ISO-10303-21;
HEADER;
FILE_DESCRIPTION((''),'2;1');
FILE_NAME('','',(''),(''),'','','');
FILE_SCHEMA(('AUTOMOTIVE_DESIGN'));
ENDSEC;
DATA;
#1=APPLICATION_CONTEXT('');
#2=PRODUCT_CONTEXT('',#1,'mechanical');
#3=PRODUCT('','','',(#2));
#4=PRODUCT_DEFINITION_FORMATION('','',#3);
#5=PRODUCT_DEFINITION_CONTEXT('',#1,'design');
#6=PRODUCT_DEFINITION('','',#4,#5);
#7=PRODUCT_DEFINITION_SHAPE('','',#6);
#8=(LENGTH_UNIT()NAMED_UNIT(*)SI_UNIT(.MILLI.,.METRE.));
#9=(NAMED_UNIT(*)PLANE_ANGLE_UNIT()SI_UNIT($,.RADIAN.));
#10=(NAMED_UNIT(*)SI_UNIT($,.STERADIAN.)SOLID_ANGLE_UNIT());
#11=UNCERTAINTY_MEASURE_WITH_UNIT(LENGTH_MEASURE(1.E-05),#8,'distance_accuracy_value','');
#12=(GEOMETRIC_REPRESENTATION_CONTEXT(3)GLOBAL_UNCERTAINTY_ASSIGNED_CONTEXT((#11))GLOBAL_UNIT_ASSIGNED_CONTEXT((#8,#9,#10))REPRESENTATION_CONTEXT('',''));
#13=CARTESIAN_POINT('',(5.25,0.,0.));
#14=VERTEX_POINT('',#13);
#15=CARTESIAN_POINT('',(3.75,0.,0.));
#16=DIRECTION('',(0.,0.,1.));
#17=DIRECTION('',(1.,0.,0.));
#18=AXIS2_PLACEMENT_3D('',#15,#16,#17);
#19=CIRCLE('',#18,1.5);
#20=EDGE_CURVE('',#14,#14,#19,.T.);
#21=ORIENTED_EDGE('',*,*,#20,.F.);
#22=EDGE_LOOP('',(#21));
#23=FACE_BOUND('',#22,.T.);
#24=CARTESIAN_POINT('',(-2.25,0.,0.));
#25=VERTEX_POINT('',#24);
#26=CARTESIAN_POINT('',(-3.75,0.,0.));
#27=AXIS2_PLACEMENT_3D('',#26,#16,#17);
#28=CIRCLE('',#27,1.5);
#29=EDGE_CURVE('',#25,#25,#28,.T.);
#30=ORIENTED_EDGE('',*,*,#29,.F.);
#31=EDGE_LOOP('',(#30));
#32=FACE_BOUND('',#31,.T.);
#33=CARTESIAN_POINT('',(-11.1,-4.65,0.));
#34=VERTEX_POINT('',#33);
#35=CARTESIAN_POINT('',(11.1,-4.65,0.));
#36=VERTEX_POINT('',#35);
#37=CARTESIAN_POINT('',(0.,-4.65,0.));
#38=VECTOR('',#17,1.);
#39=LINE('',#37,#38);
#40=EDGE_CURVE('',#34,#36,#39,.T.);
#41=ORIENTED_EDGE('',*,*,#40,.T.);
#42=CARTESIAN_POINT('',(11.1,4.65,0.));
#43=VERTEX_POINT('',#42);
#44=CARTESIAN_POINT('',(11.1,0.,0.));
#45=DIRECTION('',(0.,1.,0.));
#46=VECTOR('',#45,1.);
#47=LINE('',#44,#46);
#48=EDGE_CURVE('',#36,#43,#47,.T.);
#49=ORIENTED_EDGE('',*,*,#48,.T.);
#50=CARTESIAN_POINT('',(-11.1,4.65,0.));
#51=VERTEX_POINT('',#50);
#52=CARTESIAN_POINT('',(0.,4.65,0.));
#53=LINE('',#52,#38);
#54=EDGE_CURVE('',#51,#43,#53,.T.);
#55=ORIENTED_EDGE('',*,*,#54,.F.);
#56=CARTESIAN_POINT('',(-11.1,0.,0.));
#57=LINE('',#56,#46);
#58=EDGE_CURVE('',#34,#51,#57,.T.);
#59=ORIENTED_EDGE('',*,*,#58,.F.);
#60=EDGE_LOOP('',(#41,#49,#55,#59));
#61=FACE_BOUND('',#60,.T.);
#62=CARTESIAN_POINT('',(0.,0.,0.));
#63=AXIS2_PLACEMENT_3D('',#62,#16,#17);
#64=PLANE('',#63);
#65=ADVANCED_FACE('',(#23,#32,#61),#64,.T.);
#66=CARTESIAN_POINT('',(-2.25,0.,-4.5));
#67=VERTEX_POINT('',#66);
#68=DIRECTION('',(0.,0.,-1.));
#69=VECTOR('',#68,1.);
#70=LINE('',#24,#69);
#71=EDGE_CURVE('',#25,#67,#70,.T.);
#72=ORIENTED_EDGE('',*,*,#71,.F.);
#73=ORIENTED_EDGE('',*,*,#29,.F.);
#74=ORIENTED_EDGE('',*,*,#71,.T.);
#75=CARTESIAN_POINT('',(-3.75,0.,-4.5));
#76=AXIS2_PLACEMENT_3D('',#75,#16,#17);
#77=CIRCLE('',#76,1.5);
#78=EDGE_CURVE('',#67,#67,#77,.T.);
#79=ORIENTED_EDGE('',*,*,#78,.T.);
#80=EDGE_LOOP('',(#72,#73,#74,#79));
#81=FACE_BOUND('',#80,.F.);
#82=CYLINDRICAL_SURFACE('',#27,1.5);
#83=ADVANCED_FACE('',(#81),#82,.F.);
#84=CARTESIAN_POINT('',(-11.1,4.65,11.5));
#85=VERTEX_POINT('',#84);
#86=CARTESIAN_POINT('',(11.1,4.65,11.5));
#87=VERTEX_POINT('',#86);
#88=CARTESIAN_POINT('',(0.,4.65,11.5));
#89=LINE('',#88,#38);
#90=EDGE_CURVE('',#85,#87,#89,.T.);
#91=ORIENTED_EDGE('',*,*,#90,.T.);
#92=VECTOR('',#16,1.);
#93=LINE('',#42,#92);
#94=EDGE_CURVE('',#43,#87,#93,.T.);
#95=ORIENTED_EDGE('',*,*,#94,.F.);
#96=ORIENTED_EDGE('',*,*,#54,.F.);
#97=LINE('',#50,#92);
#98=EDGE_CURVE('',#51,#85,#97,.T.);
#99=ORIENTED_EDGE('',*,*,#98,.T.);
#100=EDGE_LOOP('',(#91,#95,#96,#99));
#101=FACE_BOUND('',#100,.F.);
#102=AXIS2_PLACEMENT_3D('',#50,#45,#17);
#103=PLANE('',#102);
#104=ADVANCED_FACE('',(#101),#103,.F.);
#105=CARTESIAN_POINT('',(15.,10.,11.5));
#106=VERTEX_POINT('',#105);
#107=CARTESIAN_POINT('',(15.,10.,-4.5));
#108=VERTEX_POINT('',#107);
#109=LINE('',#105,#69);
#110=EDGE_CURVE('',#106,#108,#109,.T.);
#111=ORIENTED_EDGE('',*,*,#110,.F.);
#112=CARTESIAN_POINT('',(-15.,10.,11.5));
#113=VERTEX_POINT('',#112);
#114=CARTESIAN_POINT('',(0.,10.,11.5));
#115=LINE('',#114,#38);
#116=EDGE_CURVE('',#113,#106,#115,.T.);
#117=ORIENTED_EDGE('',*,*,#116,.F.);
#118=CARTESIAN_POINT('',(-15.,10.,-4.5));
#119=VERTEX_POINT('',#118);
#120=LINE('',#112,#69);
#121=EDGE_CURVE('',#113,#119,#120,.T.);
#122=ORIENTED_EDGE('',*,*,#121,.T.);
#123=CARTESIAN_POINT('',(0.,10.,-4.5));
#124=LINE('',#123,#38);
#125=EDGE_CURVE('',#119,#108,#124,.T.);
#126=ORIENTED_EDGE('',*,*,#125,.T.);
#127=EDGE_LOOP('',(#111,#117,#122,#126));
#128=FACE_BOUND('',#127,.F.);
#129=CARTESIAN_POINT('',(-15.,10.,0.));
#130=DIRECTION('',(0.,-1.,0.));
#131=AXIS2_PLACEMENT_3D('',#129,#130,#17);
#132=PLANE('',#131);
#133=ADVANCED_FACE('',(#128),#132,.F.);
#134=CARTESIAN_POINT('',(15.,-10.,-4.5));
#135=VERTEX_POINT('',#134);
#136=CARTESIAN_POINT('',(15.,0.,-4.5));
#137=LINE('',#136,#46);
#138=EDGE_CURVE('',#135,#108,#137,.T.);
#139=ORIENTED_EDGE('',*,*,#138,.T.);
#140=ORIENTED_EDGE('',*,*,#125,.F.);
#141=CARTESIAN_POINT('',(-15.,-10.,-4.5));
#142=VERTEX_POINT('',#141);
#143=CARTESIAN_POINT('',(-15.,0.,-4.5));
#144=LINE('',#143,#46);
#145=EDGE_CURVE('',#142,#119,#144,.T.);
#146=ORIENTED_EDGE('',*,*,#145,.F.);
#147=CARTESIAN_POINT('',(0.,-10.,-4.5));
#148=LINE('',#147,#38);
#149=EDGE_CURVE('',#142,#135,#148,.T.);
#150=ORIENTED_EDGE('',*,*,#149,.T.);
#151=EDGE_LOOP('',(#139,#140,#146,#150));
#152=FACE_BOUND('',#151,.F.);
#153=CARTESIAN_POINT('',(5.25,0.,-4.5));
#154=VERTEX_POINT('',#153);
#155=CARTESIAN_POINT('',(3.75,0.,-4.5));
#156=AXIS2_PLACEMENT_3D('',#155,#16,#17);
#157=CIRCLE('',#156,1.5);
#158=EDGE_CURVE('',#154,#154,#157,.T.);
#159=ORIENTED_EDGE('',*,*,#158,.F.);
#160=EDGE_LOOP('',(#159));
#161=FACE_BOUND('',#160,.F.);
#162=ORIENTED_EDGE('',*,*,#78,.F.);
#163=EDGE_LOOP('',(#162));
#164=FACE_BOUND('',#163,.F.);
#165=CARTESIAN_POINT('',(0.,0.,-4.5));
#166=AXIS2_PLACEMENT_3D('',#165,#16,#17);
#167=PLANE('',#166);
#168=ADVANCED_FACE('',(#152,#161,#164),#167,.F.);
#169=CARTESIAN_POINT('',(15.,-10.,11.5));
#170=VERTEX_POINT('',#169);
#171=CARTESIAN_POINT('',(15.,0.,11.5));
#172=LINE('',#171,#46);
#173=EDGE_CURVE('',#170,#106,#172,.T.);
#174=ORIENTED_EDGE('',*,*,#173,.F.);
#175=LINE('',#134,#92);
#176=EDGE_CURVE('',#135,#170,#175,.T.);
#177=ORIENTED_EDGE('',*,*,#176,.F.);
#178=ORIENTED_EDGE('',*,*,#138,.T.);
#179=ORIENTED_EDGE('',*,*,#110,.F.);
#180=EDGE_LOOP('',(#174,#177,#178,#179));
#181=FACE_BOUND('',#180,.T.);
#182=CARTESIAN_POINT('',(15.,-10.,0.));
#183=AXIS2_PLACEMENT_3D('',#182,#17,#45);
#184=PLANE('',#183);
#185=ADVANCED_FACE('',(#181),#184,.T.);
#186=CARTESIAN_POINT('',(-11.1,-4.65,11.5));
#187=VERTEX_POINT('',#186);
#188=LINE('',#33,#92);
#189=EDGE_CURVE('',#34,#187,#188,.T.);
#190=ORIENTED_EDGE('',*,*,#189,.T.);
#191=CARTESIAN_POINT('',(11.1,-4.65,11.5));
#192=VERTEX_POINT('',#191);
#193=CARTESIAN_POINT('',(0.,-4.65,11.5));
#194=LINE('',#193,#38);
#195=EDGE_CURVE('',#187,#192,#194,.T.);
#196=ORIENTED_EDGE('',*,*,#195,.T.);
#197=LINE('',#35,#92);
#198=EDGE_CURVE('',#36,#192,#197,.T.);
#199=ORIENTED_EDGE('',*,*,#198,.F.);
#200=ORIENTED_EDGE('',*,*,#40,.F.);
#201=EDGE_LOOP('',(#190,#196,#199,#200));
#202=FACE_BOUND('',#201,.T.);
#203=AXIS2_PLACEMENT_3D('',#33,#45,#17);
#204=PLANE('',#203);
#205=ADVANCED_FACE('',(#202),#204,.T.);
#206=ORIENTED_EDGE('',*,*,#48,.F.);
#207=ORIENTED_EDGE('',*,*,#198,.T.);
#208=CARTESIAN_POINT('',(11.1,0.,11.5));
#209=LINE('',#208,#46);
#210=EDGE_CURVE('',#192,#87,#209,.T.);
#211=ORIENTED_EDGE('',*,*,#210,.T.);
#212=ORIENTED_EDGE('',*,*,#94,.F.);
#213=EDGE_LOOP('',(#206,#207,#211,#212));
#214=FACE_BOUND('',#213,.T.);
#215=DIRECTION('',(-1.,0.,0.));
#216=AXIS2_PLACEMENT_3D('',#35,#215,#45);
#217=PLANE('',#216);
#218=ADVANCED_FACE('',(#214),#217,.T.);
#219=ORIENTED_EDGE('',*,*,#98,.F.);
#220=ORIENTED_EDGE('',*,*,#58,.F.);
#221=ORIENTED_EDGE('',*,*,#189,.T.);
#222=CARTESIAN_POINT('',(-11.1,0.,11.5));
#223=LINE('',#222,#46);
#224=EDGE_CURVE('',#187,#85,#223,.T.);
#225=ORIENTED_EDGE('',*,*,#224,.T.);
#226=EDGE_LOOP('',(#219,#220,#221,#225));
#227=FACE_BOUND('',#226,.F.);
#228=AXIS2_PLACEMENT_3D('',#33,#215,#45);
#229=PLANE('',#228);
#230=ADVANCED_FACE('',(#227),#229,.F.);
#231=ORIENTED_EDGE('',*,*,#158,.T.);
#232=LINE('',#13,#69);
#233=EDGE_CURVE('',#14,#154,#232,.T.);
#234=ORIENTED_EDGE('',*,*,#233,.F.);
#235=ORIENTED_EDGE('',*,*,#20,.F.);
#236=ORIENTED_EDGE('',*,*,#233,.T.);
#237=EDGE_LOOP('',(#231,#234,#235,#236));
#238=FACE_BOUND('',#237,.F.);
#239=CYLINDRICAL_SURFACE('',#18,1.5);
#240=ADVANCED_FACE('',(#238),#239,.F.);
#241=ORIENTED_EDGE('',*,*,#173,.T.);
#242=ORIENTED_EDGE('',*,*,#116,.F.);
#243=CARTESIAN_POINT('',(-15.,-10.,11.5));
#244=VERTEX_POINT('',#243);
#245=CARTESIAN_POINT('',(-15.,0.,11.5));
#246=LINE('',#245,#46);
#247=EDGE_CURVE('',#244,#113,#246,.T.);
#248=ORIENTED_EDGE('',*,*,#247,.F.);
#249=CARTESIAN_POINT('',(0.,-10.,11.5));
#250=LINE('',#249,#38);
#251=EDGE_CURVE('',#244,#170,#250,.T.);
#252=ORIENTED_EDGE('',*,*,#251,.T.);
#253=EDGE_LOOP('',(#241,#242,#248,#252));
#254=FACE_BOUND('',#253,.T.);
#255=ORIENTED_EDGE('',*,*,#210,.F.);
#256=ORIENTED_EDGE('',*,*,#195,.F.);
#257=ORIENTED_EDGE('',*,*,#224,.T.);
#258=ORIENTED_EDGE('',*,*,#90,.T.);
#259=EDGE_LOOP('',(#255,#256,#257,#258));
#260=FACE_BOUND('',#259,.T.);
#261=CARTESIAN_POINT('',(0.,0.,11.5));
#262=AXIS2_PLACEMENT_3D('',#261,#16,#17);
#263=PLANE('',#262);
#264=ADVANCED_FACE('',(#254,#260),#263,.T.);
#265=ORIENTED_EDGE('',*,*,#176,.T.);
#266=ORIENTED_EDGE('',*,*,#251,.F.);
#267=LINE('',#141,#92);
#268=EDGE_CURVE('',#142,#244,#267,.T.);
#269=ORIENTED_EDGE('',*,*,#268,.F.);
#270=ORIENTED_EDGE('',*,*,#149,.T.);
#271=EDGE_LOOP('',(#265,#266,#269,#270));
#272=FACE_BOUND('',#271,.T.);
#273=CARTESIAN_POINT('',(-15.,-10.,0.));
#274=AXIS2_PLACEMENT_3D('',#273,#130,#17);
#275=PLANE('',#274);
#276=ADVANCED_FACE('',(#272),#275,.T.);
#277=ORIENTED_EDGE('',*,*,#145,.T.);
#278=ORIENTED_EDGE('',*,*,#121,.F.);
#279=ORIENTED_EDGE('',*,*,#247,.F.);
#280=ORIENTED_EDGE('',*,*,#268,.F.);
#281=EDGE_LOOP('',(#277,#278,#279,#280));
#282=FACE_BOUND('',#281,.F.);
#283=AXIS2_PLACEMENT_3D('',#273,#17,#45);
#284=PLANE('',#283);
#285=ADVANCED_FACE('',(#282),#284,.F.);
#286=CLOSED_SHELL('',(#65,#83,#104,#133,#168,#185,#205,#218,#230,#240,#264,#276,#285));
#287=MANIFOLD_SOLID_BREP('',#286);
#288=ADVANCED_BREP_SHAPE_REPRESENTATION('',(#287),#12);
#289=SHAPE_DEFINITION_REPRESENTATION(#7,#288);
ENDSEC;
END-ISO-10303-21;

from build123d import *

# Parameters (mm, degrees)
F0_W     = 30
F0_H     = 20
F0_W_2   = 22.2
F0_H_2   = 9.3
F1_DEPTH = 11.5
F2_W     = 30
F2_H     = 20
F2_R     = 1.5
F3_DEPTH = 4.5


with BuildPart() as f1:
    # F0 (on Top) → F1 (new body)
    with BuildSketch(Plane.XY):
        Rectangle(F0_W, F0_H)
        Rectangle(F0_W_2, F0_H_2, mode=Mode.SUBTRACT)
    extrude(amount=F1_DEPTH)

    # F2 (on Top) → F3 (join)
    with BuildSketch(Plane.XY):
        Rectangle(F2_W, F2_H)
        with Locations((-3.75, 0)):
            Circle(F2_R, mode=Mode.SUBTRACT)
        with Locations((3.75, 0)):
            Circle(F2_R, mode=Mode.SUBTRACT)
    extrude(amount=-F3_DEPTH)


solid = f1.part
